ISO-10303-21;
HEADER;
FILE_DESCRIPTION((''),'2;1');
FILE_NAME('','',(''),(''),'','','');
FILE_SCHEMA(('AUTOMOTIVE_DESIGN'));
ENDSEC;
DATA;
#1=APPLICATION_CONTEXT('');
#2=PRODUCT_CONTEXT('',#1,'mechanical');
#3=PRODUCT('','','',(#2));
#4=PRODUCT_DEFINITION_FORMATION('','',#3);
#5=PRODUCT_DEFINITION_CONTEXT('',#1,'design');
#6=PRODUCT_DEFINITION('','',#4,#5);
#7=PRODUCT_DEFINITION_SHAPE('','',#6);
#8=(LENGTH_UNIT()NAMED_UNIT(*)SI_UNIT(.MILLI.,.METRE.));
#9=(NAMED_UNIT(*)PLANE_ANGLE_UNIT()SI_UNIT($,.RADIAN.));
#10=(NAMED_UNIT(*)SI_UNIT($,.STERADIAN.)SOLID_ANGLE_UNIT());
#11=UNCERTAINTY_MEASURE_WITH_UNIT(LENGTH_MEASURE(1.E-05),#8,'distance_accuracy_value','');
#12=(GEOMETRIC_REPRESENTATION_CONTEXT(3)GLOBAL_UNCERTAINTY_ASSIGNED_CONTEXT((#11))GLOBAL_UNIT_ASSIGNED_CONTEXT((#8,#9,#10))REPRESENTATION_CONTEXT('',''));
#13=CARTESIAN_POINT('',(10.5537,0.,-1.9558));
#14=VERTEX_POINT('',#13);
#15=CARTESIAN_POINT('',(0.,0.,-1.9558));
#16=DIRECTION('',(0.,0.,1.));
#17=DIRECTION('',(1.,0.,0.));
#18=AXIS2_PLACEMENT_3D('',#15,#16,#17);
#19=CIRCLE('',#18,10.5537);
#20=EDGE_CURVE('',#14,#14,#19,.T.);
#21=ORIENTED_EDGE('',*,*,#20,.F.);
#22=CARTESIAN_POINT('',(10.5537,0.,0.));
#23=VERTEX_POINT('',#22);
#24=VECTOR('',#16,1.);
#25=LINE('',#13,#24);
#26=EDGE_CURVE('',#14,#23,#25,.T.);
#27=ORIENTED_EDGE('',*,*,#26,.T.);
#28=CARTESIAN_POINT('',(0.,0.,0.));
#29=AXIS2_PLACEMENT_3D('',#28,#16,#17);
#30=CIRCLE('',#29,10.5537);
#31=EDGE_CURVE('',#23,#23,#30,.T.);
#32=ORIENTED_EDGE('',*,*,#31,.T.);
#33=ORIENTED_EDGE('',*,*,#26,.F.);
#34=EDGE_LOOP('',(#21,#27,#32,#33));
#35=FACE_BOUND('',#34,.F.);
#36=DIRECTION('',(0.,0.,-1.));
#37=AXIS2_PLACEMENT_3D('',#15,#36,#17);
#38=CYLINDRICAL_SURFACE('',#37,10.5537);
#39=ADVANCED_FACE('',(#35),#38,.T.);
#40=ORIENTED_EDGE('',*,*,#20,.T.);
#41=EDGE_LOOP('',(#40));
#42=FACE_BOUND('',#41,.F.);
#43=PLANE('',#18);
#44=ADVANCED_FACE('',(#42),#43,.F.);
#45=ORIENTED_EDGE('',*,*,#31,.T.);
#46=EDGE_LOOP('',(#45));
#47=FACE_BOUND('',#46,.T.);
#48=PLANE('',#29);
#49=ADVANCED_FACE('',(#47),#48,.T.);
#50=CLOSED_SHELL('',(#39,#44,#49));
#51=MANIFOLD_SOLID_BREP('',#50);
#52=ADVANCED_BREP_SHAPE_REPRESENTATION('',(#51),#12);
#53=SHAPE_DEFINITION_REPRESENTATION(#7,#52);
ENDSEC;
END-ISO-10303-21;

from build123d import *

# Parameters (mm, degrees)
F0_R     = 10.5537
F1_DEPTH = 1.9558


with BuildPart() as f1:
    # F0 (on Top) → F1 (new body)
    with BuildSketch(Plane.XY):
        Circle(F0_R)
    extrude(amount=F1_DEPTH)


with BuildPart() as f1_1:
    # F2: moved
    add(f1.part.moved(Location((0, 0, -1.9558))))


solid = f1_1.part
